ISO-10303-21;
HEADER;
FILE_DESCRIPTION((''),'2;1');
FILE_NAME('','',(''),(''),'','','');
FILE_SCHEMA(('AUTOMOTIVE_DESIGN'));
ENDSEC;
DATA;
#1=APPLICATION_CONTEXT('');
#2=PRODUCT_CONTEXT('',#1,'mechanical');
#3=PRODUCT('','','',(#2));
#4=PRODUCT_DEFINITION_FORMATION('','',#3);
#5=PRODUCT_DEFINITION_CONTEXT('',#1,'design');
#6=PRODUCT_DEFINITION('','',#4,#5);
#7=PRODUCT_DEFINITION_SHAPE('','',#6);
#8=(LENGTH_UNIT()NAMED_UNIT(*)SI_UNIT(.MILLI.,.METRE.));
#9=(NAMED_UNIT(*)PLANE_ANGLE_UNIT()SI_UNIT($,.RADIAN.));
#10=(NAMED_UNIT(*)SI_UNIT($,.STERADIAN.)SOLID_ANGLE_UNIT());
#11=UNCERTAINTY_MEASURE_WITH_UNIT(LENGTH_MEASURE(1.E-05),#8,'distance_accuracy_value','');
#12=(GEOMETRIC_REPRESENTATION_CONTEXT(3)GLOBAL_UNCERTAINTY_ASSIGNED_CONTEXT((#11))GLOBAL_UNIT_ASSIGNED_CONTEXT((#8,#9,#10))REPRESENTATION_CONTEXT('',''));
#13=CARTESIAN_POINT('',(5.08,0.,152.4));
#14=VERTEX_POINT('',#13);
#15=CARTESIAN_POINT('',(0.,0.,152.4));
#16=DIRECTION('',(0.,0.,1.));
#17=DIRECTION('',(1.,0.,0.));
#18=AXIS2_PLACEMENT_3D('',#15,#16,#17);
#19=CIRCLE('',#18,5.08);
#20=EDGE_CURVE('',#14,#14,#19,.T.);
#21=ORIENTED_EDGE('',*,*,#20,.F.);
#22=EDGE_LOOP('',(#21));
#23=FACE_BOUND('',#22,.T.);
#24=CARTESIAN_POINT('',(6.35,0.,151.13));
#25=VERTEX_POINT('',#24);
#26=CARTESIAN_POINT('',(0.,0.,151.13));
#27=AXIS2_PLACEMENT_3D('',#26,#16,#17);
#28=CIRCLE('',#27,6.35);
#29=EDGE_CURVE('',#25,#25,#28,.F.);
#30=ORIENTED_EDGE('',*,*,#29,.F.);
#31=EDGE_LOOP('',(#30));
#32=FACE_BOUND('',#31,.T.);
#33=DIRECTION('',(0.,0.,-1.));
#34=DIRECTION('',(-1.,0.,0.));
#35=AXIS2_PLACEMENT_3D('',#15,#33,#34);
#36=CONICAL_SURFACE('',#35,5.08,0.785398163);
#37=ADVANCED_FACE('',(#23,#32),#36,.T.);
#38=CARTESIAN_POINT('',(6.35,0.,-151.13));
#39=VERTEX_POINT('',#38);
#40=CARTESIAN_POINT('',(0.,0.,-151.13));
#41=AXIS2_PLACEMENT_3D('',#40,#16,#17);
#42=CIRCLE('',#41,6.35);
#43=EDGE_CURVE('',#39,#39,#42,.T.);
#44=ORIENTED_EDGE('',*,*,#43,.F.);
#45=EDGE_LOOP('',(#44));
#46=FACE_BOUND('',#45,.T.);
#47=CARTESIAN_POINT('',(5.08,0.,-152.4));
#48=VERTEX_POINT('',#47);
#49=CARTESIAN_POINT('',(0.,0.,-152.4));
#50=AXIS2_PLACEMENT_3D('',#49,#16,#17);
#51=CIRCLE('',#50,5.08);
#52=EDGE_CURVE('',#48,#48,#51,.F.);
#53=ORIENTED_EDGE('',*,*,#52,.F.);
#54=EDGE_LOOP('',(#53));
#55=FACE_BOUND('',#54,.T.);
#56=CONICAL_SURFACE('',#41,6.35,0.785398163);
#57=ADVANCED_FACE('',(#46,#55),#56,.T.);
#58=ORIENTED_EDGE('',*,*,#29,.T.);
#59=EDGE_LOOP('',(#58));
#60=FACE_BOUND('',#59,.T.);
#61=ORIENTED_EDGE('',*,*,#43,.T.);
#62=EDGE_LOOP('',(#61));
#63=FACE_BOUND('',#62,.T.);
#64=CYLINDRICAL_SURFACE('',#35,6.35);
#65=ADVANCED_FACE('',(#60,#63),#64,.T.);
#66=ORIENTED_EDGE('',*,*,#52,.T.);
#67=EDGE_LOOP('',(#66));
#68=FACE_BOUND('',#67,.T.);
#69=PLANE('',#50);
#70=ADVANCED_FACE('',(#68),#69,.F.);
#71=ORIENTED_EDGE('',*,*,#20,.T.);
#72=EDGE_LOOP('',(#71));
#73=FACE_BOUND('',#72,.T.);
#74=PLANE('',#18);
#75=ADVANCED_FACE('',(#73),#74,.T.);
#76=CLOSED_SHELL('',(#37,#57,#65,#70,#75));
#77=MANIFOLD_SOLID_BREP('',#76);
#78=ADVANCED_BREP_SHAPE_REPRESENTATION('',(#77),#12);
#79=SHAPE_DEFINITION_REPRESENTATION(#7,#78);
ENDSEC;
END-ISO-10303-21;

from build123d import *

# Parameters (mm, degrees)
SKETCH1_R      = 6.35
EXTRUDE1_DEPTH = 152.4
CHAMFER1_SIZE  = 1.27


with BuildPart() as part:
    # Sketch1 → Extrude1 (new body, symmetric)
    with BuildSketch(Plane.XY):
        Circle(SKETCH1_R)
    extrude(amount=EXTRUDE1_DEPTH, both=True)

    # Chamfer1
    chamfer1_edges = [part.edges().sort_by_distance(p)[0] for p in [
        (-6.35, 0, -152.4),
        (-6.35, 0, 152.4),
    ]]
    chamfer(chamfer1_edges, length=CHAMFER1_SIZE)


solid = part.part
